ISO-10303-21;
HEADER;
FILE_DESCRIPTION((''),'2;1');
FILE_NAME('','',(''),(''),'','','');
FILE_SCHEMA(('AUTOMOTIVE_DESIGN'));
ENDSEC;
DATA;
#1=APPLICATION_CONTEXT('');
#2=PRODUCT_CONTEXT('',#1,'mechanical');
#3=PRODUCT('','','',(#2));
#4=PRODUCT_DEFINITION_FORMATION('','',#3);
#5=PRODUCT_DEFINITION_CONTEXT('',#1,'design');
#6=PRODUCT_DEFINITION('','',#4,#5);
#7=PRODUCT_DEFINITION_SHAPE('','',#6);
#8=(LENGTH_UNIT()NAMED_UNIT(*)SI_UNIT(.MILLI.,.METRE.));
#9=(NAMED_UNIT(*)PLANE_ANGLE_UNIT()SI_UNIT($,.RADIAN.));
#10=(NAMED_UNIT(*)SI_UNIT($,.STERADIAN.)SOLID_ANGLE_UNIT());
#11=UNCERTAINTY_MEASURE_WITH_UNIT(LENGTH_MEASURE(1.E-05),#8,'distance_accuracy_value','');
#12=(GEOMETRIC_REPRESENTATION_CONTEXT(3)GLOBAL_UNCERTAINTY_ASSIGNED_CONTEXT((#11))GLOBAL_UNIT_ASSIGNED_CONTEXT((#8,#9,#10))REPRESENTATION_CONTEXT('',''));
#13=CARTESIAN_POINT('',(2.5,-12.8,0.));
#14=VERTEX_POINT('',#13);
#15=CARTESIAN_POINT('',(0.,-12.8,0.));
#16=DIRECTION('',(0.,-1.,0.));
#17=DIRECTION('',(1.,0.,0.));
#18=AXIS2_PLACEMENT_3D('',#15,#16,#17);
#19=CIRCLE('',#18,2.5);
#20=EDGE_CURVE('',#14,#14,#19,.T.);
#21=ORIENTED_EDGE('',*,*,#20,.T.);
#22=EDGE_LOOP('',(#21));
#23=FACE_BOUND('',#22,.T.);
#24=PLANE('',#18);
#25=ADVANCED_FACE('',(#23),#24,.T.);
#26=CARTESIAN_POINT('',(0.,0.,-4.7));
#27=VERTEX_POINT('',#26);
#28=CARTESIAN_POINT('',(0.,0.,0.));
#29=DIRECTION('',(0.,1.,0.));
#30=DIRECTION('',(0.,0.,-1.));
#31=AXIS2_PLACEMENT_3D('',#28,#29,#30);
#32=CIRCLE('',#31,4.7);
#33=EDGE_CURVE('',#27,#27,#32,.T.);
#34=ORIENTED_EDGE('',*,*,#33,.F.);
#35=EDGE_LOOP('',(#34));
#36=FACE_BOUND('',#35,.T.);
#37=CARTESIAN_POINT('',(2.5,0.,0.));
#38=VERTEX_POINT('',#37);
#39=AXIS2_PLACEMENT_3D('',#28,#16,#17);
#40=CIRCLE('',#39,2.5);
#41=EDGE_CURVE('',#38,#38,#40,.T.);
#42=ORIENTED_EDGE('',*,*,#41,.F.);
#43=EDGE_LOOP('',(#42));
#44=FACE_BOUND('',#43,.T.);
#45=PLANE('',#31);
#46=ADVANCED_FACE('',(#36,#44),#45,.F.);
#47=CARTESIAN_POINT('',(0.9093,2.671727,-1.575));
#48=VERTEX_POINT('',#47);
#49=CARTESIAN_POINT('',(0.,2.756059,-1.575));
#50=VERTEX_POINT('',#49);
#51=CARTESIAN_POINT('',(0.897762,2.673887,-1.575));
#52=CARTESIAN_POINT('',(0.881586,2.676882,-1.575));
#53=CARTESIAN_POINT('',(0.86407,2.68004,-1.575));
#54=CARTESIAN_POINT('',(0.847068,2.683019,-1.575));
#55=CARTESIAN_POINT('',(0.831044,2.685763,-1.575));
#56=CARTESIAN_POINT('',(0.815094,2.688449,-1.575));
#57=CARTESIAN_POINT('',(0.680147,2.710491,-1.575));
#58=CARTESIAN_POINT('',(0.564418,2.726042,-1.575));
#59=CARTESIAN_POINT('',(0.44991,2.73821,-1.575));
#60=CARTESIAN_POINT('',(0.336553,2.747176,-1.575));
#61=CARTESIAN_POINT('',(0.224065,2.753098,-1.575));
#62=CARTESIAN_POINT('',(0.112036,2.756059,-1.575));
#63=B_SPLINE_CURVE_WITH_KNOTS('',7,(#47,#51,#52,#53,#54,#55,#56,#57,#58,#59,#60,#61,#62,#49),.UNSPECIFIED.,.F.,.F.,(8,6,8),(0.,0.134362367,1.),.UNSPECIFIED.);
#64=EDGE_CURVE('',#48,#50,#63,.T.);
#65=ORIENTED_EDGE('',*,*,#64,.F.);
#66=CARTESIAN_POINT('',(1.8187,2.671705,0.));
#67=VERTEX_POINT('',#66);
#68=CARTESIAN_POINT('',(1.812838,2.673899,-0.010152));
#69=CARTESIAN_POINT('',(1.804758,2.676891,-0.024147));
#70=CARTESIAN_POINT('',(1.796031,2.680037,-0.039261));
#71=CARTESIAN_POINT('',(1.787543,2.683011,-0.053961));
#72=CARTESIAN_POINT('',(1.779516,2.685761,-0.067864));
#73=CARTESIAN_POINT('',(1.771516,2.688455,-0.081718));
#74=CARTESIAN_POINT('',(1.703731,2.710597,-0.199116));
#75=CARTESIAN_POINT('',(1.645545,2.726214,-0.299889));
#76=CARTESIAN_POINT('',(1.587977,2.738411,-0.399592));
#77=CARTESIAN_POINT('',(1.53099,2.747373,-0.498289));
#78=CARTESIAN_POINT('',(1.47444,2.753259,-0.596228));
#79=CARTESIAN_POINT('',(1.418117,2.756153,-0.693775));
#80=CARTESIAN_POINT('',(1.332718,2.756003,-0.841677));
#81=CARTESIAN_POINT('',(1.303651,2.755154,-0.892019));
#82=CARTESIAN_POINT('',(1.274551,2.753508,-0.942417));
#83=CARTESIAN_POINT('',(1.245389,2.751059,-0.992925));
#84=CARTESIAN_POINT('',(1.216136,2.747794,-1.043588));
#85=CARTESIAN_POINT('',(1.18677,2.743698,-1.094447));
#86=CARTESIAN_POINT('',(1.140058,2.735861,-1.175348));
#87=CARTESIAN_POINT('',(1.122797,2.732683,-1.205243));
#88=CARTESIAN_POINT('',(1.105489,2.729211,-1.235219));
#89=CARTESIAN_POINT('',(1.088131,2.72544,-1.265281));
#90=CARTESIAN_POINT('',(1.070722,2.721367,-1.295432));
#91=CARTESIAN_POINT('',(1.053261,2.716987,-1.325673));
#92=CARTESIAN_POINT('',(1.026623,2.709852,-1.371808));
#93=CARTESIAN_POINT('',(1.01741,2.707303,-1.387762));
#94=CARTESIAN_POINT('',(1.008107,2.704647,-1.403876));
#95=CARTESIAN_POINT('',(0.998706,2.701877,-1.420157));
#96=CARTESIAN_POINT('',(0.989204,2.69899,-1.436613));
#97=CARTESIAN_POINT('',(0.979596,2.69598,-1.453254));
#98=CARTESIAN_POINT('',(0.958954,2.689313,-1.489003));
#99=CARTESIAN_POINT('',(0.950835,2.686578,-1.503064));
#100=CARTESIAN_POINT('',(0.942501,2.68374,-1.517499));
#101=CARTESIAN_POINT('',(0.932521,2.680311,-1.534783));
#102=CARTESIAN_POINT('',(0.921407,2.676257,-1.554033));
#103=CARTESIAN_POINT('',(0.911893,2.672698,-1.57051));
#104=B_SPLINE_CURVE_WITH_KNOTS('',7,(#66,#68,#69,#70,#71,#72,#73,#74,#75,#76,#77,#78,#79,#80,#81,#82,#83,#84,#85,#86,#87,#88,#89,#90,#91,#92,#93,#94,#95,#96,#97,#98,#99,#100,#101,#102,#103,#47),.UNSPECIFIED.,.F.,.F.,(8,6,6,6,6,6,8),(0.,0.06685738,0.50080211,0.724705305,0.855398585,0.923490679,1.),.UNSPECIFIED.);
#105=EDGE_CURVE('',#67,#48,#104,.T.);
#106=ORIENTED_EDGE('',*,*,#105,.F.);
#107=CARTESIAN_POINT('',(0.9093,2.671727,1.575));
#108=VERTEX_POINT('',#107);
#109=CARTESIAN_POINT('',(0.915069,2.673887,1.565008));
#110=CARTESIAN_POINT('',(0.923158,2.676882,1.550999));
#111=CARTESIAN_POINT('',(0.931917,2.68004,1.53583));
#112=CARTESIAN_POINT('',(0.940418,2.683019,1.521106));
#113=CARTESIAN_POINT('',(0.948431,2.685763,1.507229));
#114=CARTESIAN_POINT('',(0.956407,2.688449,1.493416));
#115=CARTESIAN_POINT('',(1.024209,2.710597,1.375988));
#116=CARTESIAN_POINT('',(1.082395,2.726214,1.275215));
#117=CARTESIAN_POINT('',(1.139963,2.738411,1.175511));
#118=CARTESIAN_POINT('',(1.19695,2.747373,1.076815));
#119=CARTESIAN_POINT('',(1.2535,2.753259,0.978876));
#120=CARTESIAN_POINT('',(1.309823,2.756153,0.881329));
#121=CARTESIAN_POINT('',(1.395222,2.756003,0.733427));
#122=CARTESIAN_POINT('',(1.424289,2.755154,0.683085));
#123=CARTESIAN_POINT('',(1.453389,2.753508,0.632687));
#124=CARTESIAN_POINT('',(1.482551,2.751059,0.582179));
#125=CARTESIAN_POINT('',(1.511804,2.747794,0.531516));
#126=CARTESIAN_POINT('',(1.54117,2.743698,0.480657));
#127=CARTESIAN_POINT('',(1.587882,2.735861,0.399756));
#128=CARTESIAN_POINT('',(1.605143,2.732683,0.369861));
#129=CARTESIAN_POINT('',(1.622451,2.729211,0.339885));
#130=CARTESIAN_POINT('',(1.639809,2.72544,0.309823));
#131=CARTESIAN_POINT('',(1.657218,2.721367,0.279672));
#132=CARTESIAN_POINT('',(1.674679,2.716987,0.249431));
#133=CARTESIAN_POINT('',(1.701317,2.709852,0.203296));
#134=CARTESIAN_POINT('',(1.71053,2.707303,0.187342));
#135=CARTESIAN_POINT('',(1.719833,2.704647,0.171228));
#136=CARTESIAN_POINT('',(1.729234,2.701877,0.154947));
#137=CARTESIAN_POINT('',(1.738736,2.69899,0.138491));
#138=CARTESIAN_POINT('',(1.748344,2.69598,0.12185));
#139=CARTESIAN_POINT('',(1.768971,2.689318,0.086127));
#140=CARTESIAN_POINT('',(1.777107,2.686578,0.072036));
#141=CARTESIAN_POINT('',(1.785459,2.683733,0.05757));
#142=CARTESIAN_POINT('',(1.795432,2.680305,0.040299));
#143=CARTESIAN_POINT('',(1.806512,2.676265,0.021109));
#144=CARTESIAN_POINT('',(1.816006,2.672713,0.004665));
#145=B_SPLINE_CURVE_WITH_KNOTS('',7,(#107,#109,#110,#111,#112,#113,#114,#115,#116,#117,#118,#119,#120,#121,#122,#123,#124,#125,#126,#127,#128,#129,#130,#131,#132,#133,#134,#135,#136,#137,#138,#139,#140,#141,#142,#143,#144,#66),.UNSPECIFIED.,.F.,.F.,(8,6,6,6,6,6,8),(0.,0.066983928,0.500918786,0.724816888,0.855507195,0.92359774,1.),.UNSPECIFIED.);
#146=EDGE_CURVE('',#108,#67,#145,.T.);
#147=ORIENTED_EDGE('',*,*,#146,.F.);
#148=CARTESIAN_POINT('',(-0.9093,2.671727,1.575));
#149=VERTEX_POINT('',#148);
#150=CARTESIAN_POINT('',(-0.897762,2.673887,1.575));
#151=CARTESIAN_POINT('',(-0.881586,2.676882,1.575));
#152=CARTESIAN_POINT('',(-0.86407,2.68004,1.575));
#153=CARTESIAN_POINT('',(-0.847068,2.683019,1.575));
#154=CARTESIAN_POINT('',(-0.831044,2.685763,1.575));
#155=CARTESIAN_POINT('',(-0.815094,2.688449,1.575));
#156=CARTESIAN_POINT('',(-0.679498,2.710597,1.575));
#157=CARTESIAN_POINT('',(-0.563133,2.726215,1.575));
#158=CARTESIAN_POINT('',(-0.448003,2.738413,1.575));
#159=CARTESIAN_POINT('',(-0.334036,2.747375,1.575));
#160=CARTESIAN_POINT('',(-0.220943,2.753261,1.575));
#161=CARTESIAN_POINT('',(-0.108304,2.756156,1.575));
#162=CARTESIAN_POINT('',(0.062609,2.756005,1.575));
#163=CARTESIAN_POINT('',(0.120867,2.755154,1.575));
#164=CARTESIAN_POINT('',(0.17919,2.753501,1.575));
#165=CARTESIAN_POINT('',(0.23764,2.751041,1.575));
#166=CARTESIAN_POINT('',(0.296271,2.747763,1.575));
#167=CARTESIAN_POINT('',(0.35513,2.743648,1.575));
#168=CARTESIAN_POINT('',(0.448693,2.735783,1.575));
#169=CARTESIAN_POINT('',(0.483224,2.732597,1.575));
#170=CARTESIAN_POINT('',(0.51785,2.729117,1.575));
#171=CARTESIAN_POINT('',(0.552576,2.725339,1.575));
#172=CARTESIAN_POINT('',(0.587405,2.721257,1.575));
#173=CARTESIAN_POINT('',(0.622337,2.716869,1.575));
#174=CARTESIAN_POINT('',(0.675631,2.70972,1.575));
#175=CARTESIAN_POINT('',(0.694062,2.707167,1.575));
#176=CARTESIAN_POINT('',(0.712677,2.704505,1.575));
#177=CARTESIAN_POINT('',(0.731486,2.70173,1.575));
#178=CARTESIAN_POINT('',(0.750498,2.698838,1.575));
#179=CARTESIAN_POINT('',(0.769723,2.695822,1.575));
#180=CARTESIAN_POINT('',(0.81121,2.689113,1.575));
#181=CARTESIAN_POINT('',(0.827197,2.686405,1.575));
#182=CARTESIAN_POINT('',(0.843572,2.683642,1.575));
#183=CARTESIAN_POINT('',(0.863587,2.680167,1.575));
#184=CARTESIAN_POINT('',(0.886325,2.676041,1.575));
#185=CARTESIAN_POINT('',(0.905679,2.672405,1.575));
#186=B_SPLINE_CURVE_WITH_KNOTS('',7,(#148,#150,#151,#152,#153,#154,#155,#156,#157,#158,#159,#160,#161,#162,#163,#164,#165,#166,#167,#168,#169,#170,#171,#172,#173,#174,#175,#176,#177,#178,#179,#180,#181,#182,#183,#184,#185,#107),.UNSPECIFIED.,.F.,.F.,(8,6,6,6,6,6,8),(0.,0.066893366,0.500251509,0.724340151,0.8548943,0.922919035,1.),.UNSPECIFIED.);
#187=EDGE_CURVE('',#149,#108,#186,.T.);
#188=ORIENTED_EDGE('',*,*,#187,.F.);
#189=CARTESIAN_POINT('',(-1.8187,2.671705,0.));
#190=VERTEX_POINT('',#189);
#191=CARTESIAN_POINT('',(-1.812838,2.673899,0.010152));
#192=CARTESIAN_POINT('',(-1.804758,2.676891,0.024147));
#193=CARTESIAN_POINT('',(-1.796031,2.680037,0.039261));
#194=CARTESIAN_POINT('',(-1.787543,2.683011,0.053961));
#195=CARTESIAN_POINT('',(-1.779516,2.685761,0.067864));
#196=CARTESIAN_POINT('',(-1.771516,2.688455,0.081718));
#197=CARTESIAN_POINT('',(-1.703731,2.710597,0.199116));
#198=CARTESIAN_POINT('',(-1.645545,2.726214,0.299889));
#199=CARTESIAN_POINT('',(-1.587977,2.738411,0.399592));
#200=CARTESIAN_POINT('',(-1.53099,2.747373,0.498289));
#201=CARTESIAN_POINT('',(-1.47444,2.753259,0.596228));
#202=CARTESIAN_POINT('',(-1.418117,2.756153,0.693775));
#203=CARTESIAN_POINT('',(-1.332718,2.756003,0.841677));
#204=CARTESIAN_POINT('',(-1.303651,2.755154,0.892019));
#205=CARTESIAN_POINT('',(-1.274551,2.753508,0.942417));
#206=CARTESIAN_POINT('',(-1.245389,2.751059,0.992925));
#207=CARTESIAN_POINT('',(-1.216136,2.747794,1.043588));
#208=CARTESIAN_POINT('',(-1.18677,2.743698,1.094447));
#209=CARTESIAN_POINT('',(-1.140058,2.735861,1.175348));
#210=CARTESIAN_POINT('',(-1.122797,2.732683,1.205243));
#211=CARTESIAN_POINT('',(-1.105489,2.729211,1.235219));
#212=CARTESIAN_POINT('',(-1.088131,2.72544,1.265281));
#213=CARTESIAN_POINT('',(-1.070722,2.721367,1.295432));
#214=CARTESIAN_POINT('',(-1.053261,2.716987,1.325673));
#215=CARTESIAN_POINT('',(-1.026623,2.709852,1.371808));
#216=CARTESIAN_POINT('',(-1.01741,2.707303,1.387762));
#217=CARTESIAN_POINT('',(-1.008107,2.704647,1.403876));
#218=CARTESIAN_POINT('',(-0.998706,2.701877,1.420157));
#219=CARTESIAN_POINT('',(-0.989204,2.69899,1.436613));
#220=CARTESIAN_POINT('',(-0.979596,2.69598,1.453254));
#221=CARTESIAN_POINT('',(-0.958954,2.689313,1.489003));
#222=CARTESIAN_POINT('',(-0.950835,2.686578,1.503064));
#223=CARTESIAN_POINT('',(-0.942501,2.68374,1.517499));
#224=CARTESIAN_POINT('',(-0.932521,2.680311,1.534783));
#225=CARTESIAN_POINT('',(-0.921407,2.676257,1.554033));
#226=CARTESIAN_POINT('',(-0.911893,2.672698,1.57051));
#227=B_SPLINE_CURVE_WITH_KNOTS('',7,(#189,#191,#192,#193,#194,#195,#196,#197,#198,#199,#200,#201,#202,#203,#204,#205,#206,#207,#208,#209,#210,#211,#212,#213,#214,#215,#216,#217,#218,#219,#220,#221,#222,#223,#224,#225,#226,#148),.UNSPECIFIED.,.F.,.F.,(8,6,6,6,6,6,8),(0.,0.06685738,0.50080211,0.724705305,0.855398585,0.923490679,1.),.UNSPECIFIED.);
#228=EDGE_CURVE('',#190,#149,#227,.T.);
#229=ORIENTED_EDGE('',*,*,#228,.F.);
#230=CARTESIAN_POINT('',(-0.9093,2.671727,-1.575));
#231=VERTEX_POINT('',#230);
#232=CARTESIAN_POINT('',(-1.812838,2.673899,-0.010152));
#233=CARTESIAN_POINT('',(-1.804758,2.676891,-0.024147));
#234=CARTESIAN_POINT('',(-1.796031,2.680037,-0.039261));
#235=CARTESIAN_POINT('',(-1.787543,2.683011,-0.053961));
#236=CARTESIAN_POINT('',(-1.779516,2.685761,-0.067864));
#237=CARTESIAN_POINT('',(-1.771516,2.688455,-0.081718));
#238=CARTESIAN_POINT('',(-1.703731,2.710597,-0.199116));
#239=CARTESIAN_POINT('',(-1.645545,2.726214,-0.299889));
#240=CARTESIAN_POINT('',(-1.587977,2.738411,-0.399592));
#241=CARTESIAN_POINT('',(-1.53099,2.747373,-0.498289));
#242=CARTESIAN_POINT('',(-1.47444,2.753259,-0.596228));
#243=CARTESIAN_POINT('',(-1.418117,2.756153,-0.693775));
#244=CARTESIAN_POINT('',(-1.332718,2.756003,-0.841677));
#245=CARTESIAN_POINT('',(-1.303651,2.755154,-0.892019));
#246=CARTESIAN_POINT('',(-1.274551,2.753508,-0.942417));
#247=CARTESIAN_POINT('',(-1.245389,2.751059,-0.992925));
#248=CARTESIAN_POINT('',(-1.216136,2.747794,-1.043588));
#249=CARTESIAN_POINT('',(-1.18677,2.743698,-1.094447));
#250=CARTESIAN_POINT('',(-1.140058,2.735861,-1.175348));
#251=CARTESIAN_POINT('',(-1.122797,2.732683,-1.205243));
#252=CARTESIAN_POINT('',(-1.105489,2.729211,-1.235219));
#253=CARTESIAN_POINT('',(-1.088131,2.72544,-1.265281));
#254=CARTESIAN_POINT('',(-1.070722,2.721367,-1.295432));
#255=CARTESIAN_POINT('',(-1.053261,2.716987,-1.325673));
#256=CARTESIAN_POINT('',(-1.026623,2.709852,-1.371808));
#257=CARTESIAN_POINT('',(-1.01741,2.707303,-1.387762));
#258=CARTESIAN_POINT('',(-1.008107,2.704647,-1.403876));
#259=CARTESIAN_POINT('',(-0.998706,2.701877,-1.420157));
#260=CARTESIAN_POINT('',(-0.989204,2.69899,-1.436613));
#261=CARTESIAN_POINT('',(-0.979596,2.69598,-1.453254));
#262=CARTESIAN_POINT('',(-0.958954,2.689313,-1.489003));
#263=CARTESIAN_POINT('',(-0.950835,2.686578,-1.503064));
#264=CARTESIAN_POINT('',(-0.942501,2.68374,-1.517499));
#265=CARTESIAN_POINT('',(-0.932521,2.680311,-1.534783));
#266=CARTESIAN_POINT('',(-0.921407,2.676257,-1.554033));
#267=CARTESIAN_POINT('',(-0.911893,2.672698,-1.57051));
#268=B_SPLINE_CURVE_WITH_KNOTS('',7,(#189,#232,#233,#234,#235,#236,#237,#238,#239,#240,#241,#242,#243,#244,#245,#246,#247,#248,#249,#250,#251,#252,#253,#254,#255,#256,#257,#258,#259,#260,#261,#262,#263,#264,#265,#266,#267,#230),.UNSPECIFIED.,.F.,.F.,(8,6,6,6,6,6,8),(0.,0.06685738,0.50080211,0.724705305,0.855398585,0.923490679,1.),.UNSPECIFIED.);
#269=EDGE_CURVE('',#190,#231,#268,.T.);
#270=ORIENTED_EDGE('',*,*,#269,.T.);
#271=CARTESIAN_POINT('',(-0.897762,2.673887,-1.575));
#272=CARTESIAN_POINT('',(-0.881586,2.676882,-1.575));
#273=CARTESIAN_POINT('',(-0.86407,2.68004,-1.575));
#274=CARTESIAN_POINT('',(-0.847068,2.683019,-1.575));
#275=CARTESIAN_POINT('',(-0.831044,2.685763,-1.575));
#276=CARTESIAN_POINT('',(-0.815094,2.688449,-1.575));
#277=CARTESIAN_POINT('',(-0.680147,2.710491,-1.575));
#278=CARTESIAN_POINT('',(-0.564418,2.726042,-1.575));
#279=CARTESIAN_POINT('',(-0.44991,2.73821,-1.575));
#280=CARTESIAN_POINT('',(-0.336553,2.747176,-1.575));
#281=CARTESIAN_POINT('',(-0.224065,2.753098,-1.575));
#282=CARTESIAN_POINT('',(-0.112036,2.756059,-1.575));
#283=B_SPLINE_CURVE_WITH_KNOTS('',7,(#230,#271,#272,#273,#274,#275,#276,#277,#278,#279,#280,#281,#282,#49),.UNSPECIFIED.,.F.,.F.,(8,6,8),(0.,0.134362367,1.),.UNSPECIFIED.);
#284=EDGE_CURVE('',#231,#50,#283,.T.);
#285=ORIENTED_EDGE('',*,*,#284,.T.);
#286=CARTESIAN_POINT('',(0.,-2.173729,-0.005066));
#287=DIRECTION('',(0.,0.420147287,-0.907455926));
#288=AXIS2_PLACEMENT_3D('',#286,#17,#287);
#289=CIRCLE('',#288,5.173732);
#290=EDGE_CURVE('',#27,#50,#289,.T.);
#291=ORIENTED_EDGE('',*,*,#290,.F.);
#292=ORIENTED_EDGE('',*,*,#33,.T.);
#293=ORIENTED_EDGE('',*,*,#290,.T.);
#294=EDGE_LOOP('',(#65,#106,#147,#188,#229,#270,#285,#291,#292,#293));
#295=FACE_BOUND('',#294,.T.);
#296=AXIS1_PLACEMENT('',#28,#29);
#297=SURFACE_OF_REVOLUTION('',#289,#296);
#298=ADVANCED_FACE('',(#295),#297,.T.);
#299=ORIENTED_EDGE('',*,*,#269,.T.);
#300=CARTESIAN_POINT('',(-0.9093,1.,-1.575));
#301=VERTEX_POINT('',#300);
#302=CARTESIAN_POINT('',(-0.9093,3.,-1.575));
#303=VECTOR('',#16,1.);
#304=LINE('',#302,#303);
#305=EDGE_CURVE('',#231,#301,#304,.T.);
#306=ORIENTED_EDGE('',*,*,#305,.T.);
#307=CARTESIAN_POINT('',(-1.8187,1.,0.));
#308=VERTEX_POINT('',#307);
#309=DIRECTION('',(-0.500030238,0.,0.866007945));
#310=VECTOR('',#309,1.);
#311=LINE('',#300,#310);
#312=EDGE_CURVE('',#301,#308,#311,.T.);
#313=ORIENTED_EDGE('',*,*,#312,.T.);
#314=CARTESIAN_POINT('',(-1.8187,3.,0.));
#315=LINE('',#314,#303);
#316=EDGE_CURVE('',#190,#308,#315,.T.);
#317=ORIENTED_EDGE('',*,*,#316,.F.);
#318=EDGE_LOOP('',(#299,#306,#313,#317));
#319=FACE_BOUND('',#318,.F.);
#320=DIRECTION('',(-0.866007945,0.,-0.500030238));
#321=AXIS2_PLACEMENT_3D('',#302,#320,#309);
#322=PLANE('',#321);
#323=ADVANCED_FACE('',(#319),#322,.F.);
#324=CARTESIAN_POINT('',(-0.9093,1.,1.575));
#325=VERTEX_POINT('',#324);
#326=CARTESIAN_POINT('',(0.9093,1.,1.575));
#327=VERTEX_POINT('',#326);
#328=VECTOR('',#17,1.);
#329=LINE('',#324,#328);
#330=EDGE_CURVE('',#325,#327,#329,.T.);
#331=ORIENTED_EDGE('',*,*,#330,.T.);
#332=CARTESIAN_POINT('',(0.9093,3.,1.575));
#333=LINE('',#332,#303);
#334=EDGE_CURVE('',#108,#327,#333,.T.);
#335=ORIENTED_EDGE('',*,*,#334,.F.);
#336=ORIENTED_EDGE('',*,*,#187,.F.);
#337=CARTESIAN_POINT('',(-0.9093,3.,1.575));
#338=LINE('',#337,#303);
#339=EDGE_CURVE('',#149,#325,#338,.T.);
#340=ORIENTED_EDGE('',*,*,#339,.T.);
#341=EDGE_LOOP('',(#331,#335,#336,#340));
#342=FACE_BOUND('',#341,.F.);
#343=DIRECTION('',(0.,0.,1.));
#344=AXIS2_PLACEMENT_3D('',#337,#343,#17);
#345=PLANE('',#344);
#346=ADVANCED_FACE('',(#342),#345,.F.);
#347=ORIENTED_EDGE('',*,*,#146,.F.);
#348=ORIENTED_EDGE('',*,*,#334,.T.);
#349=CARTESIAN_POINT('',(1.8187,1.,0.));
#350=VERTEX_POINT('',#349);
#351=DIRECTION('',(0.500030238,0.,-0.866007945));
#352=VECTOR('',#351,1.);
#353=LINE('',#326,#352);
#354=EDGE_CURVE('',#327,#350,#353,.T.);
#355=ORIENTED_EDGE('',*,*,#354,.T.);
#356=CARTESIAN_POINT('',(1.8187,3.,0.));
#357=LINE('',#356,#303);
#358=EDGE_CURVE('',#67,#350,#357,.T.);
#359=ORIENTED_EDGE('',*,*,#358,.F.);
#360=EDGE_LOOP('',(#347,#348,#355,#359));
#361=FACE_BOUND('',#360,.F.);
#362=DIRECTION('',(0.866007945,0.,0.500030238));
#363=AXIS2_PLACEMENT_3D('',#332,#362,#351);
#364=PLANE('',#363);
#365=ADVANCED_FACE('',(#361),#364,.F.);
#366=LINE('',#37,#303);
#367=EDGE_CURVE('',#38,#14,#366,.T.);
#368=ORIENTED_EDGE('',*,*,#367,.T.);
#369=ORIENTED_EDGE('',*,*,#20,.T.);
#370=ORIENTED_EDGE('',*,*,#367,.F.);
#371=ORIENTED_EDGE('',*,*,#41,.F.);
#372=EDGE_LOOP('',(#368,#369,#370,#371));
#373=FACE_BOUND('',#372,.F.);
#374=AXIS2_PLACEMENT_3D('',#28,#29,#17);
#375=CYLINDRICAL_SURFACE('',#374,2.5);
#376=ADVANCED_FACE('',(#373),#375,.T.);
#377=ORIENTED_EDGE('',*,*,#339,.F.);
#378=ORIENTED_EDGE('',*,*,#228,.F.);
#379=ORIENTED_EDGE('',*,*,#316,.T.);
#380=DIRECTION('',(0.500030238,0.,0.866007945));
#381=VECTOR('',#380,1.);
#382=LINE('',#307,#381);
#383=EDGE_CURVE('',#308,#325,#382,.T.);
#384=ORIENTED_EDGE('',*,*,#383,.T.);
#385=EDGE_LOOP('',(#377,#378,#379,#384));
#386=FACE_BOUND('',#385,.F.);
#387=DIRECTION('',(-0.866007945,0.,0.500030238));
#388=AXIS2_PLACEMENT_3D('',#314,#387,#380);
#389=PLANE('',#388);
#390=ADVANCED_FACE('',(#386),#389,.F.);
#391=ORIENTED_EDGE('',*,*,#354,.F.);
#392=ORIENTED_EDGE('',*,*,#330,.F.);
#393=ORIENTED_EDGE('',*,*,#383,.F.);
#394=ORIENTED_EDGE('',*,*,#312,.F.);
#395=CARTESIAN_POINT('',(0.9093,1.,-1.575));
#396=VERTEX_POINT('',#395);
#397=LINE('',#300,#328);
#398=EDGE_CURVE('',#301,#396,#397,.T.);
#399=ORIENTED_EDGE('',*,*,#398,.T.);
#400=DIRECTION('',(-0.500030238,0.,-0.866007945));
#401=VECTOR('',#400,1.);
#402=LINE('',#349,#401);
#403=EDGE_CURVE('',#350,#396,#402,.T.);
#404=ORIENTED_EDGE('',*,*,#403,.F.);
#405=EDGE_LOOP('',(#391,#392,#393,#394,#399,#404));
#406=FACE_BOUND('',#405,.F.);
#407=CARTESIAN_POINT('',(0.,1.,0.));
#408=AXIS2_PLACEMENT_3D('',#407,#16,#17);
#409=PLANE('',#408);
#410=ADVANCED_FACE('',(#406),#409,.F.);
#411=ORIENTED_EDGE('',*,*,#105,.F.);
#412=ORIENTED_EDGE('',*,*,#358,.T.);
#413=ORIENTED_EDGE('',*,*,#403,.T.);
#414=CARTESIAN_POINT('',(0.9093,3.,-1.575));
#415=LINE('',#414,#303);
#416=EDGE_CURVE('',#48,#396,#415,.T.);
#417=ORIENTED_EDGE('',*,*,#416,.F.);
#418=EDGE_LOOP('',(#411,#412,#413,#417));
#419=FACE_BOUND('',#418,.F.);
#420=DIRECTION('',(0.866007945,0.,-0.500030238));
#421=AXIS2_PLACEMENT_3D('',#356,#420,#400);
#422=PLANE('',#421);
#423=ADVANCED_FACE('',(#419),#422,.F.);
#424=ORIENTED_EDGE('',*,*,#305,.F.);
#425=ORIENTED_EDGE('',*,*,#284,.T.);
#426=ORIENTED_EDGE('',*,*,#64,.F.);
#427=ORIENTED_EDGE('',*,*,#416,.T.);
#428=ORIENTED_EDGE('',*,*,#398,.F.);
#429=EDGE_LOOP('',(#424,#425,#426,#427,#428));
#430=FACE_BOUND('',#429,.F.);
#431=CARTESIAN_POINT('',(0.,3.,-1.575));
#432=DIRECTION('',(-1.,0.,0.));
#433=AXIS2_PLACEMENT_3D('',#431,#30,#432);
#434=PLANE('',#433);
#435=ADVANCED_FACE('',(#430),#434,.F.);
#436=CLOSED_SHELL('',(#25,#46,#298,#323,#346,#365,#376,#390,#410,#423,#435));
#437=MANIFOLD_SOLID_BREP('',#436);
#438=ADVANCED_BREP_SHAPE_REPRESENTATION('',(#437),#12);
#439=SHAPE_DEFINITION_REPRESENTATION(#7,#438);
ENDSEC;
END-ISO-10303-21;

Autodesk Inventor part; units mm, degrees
ref_plane "YZ Plane" through (0, 0, 0) normal (1, 0, 0) x (0, 1, 0)
ref_plane "XZ Plane" through (0, 0, 0) normal (0, 1, 0) x (-1, 0, 0)
sketch "Sketch1" plane through (0, 0, 0) normal (1, 0, 0) x (0, 1, 0)
  line L0 (0, 0) -> (0, -4.7)
  line L1 (0, 0) -> (3, 0)
  arc A0 (0, -4.7) -> (3, 0) centre (-2.1737, -0.0051) ccw
  dimension "d0" = 4.7
  dimension "d1" = 3
revolve "Revolution1" add sketch "Sketch1" angle 360 about axis through (0, 0, 0) along (0, 1, 0)
sketch "Sketch2" plane through (0, 0, 0) normal (0, -1, 0) x (1, 0, 0)
  circle A0 centre (0, 0) radius 2.5
  dimension "d3" = 5
extrude "Extrusion1" add sketch "Sketch2" along normal blind 12.8
thread "Thread1" size "M5x0.8" class "6g" standard "ANSI Metric M Profile" full length
ref_plane "Work Plane1" through (0, 3, 0) normal (0, -1, 0) x (1, 0, 0)
sketch "Sketch3" plane through (0, 3, 0) normal (0, -1, 0) x (1, 0, 0)
  line L0 (0, 0) -> (0, -1.575)
  circle A0 centre (0, 0) radius 2.5 projected
  line L1 (-0.9093, -1.575) -> (-1.8187, 0)
  line L2 (-1.8187, 0) -> (-0.9093, 1.575)
  line L3 (-0.9093, 1.575) -> (0.9093, 1.575)
  line L4 (0.9093, 1.575) -> (1.8187, 0)
  line L5 (1.8187, 0) -> (0.9093, -1.575)
  line L6 (0.9093, -1.575) -> (-0.9093, -1.575)
  dimension "d9" = 1.575
extrude "Extrusion2" cut sketch "Sketch3" along normal blind 2 contours L1 L2 L3 L4 L5 L6
properties part number "Screw"
